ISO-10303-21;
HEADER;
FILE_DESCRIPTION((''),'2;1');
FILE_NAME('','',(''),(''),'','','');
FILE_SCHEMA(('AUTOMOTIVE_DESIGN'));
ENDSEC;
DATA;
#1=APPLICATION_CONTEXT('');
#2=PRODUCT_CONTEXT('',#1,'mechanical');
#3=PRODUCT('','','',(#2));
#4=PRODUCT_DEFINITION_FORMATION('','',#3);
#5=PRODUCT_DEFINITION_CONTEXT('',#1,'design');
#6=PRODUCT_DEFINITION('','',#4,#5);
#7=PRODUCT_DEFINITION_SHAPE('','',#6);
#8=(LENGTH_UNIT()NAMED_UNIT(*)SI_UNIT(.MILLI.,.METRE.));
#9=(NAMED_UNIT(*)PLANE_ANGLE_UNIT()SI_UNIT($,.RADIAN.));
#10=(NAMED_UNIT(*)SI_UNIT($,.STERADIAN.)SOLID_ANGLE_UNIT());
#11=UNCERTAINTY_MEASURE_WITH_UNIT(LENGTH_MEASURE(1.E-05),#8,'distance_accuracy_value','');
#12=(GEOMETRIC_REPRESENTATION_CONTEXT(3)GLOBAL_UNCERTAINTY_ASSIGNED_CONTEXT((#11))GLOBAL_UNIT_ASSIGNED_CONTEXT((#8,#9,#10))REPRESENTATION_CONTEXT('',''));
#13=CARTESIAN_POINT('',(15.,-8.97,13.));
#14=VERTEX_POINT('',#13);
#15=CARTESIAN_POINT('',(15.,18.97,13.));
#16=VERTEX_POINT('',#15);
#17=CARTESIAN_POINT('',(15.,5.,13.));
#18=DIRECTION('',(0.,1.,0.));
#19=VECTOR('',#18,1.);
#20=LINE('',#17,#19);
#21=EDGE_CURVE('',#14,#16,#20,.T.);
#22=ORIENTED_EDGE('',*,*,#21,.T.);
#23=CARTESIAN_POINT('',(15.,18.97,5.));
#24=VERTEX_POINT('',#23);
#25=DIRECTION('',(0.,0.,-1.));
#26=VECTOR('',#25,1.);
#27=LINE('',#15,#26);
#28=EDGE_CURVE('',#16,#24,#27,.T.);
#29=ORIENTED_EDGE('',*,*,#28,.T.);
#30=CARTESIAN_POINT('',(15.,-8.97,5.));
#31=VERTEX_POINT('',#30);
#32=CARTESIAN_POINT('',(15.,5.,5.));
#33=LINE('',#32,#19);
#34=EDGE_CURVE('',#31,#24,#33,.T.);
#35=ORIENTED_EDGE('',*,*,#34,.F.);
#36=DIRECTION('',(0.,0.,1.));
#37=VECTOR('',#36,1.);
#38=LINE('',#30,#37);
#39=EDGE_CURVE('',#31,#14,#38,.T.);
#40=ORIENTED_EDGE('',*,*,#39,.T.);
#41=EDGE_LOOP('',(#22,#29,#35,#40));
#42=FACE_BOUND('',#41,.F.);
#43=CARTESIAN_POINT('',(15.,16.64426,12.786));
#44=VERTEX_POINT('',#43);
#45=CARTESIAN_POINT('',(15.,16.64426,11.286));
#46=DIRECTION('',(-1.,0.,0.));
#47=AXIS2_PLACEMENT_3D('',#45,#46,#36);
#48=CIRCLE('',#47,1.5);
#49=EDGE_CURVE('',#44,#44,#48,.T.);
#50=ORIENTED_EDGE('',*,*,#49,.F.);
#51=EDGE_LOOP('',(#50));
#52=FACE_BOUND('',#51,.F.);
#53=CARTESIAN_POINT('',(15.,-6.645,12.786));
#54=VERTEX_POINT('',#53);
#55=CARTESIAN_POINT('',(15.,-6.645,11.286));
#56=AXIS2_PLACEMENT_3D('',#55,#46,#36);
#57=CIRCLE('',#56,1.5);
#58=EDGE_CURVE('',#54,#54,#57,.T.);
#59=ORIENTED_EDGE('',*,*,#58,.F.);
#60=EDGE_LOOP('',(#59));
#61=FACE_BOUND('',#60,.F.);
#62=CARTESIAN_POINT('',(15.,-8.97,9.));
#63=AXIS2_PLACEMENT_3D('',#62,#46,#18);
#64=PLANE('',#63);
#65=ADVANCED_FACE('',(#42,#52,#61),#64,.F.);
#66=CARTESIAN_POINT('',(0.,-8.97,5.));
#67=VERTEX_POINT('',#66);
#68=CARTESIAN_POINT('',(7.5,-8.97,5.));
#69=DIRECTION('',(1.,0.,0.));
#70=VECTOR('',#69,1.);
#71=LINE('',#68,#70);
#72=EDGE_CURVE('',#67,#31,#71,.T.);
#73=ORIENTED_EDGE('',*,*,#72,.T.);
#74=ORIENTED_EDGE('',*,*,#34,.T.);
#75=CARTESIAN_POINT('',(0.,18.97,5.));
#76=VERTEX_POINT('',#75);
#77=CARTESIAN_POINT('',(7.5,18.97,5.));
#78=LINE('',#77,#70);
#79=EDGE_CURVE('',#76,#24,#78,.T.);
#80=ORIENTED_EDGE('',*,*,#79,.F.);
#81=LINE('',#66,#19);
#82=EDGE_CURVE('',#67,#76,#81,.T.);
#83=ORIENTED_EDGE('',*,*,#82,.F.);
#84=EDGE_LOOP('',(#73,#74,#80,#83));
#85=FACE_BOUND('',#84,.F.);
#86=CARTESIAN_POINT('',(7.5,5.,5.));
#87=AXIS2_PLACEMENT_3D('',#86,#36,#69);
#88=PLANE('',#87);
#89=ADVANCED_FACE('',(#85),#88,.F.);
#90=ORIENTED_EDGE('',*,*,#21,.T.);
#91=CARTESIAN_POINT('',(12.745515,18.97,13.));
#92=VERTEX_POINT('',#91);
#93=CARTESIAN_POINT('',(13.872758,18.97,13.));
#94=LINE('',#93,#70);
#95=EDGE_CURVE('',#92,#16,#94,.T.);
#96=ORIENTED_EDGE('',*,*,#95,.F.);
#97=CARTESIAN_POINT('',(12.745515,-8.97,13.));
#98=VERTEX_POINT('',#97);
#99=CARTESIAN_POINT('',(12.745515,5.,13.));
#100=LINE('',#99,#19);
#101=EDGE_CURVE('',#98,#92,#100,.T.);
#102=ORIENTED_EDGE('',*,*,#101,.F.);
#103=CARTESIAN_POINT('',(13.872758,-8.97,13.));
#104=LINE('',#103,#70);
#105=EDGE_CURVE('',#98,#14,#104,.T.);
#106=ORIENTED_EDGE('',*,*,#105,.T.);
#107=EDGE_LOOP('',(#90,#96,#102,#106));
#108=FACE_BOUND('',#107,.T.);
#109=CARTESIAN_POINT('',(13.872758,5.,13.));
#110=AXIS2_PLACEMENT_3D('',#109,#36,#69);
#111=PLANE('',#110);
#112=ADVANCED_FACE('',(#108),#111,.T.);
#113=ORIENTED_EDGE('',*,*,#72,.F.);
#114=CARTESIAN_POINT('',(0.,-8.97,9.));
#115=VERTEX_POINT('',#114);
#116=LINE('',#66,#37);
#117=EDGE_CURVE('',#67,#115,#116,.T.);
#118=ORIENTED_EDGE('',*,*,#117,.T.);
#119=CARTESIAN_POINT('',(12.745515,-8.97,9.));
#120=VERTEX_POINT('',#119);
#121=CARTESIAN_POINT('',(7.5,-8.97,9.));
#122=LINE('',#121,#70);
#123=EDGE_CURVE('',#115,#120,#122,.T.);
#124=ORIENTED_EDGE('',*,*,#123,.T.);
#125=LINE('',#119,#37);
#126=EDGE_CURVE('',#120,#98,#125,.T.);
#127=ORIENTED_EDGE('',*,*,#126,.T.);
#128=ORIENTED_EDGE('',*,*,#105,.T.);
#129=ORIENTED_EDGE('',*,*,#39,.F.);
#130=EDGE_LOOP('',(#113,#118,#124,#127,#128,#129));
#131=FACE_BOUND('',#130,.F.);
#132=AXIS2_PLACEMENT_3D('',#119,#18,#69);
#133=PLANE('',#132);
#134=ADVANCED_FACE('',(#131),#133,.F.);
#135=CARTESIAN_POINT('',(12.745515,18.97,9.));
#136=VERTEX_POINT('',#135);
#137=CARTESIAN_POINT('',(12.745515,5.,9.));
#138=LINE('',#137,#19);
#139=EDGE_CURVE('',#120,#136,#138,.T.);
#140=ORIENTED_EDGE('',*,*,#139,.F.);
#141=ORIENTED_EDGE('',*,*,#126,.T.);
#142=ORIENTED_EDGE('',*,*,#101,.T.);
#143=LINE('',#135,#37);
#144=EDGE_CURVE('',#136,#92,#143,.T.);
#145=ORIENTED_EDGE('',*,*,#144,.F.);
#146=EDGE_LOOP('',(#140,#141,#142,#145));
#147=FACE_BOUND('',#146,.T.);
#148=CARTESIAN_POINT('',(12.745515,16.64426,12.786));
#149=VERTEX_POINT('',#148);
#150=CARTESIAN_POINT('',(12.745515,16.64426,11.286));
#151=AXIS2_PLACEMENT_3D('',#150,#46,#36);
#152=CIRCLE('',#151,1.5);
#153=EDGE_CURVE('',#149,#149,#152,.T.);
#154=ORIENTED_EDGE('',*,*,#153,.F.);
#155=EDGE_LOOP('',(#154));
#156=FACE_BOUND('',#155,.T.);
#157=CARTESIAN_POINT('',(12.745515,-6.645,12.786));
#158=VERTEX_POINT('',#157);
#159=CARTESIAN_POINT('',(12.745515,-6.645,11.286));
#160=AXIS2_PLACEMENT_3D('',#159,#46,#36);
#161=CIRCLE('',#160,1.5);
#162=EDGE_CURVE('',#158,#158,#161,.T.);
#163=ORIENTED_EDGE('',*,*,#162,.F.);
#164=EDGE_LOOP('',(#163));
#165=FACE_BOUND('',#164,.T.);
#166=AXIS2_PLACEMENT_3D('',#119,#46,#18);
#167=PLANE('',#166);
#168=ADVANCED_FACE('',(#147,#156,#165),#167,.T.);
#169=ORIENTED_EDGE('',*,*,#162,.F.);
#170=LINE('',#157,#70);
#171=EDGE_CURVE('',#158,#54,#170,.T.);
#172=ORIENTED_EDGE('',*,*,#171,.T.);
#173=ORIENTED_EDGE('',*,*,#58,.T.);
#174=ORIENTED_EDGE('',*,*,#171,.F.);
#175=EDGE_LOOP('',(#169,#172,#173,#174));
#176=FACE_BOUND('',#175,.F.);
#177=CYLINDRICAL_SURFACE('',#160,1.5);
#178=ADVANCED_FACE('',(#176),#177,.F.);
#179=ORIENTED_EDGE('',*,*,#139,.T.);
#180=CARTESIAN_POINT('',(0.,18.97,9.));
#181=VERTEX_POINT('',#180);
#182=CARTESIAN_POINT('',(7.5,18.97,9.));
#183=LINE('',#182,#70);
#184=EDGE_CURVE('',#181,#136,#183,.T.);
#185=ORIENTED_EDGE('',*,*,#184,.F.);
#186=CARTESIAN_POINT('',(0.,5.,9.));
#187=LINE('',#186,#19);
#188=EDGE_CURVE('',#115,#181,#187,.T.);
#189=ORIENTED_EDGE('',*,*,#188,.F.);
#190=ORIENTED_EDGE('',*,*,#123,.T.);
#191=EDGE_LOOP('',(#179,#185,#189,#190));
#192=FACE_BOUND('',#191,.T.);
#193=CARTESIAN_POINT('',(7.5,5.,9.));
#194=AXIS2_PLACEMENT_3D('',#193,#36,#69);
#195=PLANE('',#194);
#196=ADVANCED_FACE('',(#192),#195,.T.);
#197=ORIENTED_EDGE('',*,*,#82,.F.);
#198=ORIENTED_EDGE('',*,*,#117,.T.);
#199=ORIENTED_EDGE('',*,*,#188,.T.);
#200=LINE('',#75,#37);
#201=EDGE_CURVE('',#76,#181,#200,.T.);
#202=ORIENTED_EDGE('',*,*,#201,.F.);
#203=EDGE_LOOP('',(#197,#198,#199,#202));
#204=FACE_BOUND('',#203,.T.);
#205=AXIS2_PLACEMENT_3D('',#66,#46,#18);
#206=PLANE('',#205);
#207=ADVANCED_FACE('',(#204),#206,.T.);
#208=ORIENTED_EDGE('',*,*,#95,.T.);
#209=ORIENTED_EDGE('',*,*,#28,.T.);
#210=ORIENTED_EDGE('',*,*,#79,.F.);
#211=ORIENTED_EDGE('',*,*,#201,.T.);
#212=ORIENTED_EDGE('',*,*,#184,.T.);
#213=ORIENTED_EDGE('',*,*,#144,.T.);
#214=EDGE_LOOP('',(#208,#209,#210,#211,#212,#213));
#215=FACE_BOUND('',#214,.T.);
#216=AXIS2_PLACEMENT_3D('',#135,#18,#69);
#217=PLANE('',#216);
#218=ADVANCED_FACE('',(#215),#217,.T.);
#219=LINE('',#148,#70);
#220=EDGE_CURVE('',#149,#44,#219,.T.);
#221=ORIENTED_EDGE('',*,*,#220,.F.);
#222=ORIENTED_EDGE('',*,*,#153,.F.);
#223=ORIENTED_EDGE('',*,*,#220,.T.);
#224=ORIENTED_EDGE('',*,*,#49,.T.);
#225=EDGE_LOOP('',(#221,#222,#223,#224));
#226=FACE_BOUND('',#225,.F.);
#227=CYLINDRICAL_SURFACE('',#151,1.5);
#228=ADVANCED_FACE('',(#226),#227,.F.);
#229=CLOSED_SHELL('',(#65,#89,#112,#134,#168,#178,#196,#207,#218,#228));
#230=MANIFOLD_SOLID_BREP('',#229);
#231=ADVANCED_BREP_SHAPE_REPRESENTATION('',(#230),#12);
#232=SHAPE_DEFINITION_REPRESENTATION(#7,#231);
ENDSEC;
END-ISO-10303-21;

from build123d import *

# Parameters (mm, degrees)
SKETCH2_W           = 10
SKETCH2_H           = 10
BOSS_EXTRUDE1_DEPTH = 5
SKETCH4_W           = 15
SKETCH4_H           = 27.94
BOSS_EXTRUDE4_DEPTH = 4
SKETCH5_W           = 2.25448465
SKETCH5_H           = 27.94
BOSS_EXTRUDE5_DEPTH = 4
SKETCH6_R           = 1.5
CUT_EXTRUDE1_DEPTH  = 40
SKETCH7_R           = 3.5
BOSS_EXTRUDE6_DEPTH = 8
SKETCH8_W           = 10
SKETCH8_H           = 10
CUT_EXTRUDE2_DEPTH  = 13


with BuildPart() as part:
    # Sketch2 → Boss-Extrude1 (new body)
    with BuildSketch(Plane.XY):
        with Locations((5, 5)):
            Rectangle(SKETCH2_W, SKETCH2_H)
    extrude(amount=BOSS_EXTRUDE1_DEPTH)

    # Sketch4 → Boss-Extrude4 (add)
    with BuildSketch(Plane.XY.offset(5)):
        with Locations((7.5, 5)):
            Rectangle(SKETCH4_W, SKETCH4_H)
    extrude(amount=BOSS_EXTRUDE4_DEPTH)

    # Sketch5 → Boss-Extrude5 (add)
    with BuildSketch(Plane.XY.offset(9)):
        with Locations((13.872757675, 5)):
            Rectangle(SKETCH5_W, SKETCH5_H)
    extrude(amount=BOSS_EXTRUDE5_DEPTH)

    # Sketch6 → Cut-Extrude1 (cut)
    with BuildSketch(Plane.ZY.offset(-12.74551535)):
        with Locations((11.286, 16.64426)):
            Circle(SKETCH6_R)
        with Locations((11.286, -6.645)):
            Circle(SKETCH6_R)
    extrude(amount=-CUT_EXTRUDE1_DEPTH, mode=Mode.SUBTRACT)

    # Sketch7 → Boss-Extrude6 (add)
    with BuildSketch(Plane(origin=(0, 0, 0), x_dir=(-1, 0, 0), z_dir=(0, 0, -1))):
        with Locations((-5, 5)):
            Circle(SKETCH7_R)
    extrude(amount=BOSS_EXTRUDE6_DEPTH)

    # Sketch8 → Cut-Extrude2 (cut)
    with BuildSketch(Plane(origin=(0, 0, -8), x_dir=(-1, 0, 0), z_dir=(0, 0, -1))):
        with Locations((-5, 5)):
            Rectangle(SKETCH8_W, SKETCH8_H)
    extrude(amount=-CUT_EXTRUDE2_DEPTH, mode=Mode.SUBTRACT)


solid = part.part
